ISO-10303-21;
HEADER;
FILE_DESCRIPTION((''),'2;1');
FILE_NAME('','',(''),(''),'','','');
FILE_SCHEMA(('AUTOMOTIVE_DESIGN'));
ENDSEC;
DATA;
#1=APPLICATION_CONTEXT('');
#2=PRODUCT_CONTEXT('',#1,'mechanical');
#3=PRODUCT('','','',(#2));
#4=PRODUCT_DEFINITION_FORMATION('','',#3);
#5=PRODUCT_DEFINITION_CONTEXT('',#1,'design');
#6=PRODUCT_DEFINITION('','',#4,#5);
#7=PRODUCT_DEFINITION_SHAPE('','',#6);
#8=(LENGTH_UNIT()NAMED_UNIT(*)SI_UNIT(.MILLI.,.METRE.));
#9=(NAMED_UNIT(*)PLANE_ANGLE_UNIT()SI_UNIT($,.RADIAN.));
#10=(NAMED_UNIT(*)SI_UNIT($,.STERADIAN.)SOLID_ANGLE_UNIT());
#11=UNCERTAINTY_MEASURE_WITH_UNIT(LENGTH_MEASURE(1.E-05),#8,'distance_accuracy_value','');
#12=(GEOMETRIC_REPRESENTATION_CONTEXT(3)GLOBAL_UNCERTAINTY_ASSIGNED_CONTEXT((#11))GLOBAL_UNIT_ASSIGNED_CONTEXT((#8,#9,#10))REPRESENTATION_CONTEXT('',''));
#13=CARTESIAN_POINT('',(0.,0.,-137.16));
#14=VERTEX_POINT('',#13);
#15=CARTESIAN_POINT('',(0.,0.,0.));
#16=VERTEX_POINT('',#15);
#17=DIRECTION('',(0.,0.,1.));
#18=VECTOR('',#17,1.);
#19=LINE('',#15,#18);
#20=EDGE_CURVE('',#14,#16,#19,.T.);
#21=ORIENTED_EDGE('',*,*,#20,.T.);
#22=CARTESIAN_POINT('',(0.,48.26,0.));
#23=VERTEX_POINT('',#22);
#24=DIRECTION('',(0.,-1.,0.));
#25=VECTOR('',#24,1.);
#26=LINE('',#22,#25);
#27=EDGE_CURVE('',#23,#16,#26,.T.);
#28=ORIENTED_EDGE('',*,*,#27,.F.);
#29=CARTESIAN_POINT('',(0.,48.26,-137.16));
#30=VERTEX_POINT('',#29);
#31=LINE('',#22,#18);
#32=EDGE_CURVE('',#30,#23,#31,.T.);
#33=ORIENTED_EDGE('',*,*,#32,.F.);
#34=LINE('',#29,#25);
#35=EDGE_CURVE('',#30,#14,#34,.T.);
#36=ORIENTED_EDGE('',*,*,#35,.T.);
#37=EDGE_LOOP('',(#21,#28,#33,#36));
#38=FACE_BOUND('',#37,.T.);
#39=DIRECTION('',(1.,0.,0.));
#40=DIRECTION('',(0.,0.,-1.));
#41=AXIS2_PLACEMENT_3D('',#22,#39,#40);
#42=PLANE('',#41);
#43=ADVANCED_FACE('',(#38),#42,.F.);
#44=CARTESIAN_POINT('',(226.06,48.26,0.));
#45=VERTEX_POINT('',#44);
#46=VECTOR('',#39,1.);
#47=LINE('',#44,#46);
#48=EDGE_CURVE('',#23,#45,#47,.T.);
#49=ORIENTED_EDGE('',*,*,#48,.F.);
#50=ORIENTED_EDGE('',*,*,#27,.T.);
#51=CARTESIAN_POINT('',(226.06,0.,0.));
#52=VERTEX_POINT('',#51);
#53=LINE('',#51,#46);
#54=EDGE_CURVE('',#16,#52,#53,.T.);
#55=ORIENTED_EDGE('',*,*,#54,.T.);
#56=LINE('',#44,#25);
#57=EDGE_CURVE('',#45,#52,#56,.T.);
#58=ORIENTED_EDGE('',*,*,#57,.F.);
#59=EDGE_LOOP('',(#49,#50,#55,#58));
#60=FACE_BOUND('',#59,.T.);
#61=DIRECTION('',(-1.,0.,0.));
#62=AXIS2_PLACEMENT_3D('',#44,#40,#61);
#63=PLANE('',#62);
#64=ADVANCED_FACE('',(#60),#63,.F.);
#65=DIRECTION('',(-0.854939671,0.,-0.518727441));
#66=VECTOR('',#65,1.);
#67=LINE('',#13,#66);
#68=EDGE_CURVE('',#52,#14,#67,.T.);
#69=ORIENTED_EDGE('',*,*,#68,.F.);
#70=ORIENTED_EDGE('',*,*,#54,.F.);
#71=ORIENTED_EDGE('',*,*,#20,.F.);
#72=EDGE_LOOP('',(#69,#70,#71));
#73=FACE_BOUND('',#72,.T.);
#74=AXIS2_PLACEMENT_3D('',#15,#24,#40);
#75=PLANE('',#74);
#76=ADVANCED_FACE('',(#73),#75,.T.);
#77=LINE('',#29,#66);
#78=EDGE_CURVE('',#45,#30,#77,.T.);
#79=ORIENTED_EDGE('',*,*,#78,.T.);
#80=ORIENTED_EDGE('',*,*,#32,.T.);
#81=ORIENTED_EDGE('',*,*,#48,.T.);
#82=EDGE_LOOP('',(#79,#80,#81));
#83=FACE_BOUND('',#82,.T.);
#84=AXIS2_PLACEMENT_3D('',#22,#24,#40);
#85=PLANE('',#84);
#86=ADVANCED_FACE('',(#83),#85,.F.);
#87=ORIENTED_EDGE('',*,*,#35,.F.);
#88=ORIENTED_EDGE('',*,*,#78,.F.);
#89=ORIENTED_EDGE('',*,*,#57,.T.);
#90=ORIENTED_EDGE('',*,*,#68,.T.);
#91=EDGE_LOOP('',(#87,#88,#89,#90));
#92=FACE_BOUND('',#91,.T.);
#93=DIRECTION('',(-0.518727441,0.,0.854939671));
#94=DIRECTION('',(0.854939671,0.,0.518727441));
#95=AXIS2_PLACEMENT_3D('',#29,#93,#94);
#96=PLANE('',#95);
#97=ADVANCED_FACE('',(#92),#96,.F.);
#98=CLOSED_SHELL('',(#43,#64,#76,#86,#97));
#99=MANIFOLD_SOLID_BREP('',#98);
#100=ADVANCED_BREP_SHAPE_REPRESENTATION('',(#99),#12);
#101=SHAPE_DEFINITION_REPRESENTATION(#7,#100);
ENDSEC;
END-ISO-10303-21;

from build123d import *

# Parameters (mm, degrees)
BOSS_EXTRUDE1_DEPTH = 48.26


with BuildPart() as part:
    # Sketch1 → Boss-Extrude1 (new body)
    with BuildSketch(Plane(origin=(0, 0, 0), x_dir=(1, 0, 0), z_dir=(0, 1, 0))):
        Polygon((0, 0), (0, 137.16), (226.06, 0), align=None)
    extrude(amount=BOSS_EXTRUDE1_DEPTH)


solid = part.part
